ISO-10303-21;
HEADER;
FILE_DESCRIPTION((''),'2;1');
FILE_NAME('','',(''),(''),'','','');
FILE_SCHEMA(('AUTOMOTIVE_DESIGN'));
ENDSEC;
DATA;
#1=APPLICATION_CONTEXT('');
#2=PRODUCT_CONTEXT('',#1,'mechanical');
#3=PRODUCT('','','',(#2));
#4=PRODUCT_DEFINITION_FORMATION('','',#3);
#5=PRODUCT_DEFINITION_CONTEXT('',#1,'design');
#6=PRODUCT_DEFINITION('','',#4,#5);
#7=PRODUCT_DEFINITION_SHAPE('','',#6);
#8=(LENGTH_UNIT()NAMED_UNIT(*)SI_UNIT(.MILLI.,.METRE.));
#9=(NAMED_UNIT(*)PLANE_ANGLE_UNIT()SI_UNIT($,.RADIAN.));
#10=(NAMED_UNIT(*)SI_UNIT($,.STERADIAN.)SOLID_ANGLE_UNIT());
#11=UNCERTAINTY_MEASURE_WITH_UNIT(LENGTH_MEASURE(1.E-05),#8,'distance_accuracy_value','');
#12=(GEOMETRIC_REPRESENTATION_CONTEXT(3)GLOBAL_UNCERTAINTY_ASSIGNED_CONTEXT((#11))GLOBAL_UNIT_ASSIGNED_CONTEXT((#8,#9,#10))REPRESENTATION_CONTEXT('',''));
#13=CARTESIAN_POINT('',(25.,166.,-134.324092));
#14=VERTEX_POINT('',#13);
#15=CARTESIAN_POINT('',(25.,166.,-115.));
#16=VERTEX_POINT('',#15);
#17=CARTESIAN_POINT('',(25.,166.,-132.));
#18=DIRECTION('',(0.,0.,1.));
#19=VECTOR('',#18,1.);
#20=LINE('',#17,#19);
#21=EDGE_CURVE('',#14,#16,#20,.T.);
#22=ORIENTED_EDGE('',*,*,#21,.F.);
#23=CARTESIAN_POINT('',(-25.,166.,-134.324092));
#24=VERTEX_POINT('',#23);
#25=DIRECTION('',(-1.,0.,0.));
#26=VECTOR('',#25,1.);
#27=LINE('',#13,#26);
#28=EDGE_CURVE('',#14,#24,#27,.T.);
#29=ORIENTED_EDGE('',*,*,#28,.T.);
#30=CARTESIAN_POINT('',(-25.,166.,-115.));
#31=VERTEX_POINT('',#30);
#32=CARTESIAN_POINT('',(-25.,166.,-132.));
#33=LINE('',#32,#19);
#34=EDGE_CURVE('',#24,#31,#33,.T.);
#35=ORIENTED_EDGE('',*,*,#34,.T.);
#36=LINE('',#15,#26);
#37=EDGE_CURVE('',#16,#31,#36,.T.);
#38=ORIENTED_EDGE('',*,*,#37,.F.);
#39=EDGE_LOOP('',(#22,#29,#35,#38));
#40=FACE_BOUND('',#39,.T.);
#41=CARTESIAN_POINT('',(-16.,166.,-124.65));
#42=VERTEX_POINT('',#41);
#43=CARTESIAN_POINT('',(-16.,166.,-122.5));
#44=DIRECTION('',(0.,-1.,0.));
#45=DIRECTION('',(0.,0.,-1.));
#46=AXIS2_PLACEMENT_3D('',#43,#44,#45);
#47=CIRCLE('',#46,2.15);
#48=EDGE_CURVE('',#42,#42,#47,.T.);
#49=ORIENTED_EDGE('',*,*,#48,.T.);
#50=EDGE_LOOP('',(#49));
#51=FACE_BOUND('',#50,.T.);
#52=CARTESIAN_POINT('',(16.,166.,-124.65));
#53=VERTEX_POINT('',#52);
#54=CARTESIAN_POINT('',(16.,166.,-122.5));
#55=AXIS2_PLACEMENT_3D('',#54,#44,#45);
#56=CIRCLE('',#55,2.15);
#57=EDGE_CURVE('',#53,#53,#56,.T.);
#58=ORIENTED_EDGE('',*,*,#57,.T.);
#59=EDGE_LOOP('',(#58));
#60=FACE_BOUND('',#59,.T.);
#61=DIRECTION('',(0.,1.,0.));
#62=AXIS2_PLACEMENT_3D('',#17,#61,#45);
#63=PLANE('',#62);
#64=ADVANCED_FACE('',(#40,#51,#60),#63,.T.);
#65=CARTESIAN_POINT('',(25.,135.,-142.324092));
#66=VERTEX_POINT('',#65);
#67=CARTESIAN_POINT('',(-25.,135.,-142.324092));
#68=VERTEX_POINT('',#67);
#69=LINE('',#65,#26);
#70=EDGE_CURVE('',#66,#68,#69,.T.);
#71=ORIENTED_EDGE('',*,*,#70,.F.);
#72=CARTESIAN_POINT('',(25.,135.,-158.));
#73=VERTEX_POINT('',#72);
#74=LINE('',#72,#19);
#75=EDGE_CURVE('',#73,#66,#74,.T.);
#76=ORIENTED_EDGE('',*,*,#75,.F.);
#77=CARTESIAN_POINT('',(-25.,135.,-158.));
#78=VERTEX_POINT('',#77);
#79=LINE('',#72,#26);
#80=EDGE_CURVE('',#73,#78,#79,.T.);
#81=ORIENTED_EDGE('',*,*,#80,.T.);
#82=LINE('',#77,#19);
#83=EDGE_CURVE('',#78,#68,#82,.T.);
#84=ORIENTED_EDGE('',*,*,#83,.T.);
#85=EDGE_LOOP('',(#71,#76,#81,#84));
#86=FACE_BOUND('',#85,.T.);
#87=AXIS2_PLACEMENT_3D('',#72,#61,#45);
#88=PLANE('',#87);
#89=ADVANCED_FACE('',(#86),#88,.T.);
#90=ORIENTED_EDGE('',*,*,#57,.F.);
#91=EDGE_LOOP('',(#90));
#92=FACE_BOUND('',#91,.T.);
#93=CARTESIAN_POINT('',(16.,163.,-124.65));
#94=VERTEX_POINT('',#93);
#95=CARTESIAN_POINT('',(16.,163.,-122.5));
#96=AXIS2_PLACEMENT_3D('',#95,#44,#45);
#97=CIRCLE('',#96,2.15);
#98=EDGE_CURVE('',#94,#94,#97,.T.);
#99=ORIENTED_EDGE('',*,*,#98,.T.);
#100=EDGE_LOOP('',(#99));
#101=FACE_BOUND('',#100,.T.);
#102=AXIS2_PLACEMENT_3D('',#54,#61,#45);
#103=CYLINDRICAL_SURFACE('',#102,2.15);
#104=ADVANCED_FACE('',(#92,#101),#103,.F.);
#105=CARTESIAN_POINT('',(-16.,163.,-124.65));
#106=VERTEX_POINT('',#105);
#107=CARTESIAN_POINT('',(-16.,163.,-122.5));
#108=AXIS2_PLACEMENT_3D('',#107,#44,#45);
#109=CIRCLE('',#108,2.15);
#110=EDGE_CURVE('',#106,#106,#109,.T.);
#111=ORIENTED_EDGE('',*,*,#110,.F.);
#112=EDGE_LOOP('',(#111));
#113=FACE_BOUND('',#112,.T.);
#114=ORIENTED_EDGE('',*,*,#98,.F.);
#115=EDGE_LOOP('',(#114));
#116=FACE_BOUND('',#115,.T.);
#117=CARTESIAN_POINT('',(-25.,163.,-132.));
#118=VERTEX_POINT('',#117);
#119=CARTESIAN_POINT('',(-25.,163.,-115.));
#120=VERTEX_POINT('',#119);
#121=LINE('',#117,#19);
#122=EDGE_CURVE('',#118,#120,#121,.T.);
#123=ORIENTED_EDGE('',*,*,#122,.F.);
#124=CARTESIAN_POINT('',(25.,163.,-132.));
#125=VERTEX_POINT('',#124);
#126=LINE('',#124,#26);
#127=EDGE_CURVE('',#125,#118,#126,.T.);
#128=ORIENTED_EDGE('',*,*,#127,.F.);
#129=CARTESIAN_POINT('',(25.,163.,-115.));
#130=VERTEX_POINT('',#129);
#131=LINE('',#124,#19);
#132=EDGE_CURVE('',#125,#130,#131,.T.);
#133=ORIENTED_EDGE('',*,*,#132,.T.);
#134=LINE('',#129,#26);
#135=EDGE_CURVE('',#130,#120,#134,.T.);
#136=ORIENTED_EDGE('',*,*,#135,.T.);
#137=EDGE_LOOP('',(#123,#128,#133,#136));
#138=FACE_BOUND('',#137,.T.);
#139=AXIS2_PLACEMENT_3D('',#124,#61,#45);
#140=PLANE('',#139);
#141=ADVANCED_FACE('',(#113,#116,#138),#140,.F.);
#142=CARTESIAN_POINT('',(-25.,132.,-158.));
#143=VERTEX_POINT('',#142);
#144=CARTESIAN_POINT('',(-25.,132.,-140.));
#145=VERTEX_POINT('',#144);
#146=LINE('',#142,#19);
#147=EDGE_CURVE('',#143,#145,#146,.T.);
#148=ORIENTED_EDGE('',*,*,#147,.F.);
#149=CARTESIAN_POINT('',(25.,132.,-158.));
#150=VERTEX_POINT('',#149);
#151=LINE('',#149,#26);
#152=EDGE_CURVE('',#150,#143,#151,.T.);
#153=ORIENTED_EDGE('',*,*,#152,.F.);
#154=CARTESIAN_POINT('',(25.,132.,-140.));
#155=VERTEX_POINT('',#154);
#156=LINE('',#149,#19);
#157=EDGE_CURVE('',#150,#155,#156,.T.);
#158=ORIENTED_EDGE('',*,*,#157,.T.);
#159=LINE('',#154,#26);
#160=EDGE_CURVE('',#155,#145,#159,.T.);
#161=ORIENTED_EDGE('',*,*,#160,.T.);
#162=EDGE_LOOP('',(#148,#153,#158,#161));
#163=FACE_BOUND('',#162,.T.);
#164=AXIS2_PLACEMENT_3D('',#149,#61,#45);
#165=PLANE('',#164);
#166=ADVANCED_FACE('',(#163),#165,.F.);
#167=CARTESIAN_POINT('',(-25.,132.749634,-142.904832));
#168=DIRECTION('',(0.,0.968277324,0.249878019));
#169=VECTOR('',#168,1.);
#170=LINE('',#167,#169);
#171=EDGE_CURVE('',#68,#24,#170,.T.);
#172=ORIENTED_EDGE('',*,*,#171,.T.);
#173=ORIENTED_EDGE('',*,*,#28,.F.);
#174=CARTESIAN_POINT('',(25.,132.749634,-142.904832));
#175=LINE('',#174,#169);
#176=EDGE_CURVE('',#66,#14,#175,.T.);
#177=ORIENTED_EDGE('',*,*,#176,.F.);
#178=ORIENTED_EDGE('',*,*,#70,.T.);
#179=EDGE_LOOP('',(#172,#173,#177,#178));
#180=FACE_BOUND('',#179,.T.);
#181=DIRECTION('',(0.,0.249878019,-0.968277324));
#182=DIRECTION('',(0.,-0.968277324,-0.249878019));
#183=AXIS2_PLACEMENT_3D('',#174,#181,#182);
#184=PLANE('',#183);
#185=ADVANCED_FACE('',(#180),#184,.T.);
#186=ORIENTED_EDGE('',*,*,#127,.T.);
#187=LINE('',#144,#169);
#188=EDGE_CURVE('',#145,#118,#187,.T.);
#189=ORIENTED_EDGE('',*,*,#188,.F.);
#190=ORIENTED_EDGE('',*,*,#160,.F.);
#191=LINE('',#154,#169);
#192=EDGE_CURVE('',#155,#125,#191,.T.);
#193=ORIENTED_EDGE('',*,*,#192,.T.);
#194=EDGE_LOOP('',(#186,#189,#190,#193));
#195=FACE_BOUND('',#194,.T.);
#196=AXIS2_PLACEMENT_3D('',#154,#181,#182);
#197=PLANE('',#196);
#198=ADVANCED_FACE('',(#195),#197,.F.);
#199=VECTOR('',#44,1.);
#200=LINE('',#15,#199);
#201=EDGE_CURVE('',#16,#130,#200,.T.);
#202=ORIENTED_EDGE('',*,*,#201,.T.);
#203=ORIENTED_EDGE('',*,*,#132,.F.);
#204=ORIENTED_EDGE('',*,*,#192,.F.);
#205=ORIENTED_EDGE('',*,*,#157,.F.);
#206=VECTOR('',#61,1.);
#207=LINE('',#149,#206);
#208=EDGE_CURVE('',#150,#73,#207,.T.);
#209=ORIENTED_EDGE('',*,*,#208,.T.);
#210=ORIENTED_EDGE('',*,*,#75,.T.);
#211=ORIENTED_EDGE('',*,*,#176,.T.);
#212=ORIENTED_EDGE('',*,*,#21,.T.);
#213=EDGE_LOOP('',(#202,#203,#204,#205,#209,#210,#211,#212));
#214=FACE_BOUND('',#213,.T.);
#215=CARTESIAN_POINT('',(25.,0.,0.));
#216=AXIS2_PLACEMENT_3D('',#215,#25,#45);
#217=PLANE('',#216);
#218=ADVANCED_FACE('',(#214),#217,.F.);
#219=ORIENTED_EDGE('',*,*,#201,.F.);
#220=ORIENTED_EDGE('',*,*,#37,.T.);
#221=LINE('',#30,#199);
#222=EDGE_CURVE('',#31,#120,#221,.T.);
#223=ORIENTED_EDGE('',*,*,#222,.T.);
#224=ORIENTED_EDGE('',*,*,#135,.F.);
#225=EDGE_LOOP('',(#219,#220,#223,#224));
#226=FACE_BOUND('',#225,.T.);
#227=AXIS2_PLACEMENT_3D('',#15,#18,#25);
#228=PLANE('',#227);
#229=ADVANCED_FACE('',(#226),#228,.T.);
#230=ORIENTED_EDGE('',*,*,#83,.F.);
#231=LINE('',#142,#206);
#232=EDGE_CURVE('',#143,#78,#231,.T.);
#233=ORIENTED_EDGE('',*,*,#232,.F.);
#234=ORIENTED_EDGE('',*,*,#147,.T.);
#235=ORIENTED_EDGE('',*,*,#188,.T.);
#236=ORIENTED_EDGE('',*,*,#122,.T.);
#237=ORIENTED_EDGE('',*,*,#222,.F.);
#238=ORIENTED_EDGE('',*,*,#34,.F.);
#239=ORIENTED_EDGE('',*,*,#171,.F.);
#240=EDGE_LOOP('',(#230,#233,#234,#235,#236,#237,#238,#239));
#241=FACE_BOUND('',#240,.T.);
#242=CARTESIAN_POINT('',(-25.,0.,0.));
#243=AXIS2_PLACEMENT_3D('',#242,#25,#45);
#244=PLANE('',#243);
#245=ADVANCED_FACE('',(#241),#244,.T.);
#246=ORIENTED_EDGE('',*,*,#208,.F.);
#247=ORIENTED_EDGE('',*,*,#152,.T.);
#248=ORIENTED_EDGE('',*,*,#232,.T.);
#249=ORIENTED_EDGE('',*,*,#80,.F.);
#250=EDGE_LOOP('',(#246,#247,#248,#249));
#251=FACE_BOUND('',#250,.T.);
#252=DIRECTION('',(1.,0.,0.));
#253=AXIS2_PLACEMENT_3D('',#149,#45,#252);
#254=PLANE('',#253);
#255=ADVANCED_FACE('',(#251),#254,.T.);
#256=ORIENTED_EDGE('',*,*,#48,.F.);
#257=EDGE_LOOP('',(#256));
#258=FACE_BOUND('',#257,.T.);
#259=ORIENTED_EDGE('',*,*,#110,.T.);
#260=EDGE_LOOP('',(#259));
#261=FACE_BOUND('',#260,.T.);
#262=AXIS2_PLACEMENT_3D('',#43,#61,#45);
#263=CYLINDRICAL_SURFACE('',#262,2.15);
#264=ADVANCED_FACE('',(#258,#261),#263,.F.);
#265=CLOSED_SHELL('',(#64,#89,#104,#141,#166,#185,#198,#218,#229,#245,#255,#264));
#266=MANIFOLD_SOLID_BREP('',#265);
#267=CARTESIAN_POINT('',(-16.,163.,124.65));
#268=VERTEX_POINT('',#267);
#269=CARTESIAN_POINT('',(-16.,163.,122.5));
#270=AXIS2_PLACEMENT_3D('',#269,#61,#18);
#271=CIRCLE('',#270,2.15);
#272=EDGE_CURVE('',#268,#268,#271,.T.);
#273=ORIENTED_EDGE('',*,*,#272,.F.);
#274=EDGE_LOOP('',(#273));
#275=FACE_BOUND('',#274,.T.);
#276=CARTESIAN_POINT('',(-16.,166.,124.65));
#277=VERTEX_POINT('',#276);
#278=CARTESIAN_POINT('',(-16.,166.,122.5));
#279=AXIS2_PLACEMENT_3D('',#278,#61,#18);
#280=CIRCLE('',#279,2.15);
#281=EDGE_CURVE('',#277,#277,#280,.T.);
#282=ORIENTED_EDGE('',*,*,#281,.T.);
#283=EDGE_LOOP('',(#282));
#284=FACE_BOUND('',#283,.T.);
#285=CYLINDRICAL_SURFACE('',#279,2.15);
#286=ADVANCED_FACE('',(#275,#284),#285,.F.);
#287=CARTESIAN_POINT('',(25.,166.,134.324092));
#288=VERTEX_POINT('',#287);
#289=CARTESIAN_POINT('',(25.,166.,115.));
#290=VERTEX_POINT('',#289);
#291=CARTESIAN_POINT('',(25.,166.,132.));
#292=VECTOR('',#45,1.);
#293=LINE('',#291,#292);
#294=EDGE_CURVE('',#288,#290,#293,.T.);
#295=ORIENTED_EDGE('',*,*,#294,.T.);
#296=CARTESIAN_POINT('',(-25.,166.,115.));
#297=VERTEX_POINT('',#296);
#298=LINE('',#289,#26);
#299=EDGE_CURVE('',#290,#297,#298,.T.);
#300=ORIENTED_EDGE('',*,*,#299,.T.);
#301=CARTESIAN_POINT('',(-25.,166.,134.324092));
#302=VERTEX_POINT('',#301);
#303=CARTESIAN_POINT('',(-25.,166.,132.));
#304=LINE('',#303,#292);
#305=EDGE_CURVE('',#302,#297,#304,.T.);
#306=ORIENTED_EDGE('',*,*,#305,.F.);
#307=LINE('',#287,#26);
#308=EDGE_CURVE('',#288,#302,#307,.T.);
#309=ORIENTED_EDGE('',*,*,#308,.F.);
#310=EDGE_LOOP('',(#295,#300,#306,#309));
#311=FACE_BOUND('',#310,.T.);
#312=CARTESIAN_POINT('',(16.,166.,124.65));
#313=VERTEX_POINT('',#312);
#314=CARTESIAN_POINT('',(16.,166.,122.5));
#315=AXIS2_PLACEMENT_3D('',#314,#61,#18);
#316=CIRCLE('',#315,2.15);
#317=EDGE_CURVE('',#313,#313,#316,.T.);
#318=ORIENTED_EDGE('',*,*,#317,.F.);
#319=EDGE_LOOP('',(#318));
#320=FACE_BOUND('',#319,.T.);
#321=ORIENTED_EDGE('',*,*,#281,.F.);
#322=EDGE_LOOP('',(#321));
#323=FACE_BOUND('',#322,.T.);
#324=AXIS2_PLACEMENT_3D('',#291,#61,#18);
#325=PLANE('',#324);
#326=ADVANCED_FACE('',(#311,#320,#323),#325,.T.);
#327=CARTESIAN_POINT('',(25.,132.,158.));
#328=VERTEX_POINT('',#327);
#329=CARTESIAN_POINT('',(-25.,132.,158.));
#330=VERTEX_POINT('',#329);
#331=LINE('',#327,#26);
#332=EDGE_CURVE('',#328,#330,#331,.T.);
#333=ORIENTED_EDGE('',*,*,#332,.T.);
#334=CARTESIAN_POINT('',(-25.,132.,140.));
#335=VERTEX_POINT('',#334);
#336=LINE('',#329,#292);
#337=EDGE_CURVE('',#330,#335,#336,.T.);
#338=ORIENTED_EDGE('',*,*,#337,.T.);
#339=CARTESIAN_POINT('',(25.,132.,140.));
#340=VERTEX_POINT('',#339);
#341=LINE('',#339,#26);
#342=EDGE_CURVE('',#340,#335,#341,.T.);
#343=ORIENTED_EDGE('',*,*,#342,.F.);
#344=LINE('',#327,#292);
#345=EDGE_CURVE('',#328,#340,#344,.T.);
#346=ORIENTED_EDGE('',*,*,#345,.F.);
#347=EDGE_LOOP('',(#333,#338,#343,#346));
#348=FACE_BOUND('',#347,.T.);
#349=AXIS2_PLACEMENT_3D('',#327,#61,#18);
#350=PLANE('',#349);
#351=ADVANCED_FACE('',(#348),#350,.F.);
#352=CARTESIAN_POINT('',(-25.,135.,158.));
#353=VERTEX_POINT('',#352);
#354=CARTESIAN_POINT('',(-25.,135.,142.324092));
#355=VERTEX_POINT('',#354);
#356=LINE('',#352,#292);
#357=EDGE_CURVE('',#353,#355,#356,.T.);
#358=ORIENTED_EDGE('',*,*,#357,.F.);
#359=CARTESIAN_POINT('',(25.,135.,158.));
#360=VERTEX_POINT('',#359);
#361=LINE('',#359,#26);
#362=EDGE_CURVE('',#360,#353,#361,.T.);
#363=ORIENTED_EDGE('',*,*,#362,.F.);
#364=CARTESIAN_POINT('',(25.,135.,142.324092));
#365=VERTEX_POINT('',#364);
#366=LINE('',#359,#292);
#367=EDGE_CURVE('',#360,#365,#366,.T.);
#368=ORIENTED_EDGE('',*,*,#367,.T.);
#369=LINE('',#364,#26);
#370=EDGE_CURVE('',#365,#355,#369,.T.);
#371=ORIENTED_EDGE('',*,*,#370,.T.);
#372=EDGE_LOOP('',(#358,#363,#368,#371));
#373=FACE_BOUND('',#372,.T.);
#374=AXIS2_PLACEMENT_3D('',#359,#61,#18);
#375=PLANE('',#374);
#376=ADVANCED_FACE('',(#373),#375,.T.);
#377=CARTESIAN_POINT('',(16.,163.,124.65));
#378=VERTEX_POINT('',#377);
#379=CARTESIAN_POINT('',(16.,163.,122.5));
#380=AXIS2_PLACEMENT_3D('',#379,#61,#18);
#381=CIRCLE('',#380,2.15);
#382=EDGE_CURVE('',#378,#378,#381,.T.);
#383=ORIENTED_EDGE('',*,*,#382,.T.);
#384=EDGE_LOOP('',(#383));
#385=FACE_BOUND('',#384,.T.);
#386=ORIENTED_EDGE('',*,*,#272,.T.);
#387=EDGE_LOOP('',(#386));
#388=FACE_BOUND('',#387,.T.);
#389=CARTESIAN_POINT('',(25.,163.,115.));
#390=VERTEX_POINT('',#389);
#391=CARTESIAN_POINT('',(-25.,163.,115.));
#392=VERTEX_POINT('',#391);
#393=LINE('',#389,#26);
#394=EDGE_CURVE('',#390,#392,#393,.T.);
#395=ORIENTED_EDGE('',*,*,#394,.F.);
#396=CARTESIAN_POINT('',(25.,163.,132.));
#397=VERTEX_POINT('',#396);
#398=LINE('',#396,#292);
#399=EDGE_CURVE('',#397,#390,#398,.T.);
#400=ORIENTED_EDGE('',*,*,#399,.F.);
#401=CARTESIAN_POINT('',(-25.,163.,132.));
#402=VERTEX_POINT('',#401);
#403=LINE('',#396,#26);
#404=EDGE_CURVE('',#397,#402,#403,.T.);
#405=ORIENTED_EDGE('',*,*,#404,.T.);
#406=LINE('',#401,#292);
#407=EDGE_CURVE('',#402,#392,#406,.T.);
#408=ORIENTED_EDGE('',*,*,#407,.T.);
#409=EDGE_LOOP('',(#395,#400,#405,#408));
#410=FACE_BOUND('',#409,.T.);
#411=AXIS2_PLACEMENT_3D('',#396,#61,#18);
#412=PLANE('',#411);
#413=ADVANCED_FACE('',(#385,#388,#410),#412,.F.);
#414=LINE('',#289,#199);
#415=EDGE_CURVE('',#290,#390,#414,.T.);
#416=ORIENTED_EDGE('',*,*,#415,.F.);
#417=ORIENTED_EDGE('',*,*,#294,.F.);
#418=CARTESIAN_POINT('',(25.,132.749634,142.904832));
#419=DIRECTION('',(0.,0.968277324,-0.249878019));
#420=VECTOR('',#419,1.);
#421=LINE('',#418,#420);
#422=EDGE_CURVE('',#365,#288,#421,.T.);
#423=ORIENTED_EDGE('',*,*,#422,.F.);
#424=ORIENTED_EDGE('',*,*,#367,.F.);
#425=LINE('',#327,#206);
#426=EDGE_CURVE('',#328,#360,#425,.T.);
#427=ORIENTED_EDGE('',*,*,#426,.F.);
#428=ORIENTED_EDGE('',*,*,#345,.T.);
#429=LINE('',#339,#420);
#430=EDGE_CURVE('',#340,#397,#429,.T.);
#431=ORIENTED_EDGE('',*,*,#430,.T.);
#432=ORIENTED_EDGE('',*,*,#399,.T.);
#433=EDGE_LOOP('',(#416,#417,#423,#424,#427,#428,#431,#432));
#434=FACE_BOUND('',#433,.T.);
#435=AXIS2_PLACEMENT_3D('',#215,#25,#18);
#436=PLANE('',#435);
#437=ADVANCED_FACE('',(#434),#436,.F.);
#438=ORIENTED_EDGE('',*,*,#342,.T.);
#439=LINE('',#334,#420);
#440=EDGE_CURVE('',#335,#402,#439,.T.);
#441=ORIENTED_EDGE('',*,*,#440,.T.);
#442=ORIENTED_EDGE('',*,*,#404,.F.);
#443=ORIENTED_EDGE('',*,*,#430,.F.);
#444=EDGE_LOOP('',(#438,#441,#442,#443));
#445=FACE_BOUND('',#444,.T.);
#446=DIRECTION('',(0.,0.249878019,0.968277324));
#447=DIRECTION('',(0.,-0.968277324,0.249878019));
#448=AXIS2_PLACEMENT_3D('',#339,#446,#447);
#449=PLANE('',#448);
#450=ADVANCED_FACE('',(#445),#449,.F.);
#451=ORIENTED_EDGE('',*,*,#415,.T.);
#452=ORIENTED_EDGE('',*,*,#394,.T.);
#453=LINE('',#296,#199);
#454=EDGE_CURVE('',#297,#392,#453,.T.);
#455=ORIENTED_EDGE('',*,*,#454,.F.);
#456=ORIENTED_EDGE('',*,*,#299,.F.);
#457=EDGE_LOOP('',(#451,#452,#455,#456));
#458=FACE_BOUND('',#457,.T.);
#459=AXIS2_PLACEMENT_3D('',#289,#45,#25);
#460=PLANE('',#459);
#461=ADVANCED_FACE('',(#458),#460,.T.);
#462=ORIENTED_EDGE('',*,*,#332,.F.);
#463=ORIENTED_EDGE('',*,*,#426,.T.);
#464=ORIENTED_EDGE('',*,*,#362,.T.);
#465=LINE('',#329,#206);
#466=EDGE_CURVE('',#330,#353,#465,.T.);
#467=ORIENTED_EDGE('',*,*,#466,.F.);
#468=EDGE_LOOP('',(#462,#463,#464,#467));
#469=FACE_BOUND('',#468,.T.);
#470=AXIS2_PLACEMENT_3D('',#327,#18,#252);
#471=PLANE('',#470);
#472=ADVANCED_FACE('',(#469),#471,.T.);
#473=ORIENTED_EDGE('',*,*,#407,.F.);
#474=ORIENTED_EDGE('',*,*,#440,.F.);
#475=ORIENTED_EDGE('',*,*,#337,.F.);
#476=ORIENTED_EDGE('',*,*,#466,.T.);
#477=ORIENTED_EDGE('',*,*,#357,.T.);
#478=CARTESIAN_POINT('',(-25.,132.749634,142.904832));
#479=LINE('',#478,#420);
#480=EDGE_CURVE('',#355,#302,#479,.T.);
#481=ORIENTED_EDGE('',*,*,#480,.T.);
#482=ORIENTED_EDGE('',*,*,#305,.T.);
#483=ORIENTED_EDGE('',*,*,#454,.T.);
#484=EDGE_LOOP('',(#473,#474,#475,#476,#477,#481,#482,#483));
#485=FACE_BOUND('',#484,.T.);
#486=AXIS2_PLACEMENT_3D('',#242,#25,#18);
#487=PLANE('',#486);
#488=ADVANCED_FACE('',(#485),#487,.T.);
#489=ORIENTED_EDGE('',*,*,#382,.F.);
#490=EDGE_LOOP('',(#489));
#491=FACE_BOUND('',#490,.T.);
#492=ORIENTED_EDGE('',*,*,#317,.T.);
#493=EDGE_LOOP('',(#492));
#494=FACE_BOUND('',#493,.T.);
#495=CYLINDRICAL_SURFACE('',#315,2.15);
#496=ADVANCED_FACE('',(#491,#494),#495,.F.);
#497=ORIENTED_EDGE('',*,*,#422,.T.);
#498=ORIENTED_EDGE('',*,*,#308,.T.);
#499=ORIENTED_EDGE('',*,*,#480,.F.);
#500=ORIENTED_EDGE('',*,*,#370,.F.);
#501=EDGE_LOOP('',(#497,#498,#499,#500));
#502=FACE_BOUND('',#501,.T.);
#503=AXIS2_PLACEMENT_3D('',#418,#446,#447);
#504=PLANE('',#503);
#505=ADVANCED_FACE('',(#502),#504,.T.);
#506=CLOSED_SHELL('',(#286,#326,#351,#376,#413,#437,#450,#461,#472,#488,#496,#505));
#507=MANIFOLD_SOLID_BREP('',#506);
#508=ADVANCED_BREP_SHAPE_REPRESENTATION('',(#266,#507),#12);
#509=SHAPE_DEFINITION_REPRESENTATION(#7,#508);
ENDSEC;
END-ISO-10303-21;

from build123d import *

# Parameters (mm, degrees)
EXTRUDE_1_DEPTH    = 25
HOLE_WIZARD_M4_2_D = 4.3


with BuildPart() as part:
    # 草图1 → 拉伸-薄壁1 (new, symmetric)
    with BuildSketch(Plane(origin=(0, 0, 0), x_dir=(0, 0, -1), z_dir=(1, 0, 0))):
        Polygon((-158, 132), (-140, 132), (-132, 163), (-115, 163), (-115, 166), (-134.324092373, 166), (-142.324092373, 135), (-158, 135), align=None)
    extrude(amount=EXTRUDE_1_DEPTH, both=True)

    # M4 间隙孔2 (through all)
    with Locations(Plane(origin=(0, 166, 0), x_dir=(1, 0, 0), z_dir=(0, 1, 0))):
        with Locations((16, -122.5), (-16, -122.5)):
            Hole(HOLE_WIZARD_M4_2_D / 2)


with BuildPart() as body_2:
    # 镜向2: mirrored copy
    add(part.part.mirror(Plane.XY))


solid = Compound([part.part, body_2.part])
